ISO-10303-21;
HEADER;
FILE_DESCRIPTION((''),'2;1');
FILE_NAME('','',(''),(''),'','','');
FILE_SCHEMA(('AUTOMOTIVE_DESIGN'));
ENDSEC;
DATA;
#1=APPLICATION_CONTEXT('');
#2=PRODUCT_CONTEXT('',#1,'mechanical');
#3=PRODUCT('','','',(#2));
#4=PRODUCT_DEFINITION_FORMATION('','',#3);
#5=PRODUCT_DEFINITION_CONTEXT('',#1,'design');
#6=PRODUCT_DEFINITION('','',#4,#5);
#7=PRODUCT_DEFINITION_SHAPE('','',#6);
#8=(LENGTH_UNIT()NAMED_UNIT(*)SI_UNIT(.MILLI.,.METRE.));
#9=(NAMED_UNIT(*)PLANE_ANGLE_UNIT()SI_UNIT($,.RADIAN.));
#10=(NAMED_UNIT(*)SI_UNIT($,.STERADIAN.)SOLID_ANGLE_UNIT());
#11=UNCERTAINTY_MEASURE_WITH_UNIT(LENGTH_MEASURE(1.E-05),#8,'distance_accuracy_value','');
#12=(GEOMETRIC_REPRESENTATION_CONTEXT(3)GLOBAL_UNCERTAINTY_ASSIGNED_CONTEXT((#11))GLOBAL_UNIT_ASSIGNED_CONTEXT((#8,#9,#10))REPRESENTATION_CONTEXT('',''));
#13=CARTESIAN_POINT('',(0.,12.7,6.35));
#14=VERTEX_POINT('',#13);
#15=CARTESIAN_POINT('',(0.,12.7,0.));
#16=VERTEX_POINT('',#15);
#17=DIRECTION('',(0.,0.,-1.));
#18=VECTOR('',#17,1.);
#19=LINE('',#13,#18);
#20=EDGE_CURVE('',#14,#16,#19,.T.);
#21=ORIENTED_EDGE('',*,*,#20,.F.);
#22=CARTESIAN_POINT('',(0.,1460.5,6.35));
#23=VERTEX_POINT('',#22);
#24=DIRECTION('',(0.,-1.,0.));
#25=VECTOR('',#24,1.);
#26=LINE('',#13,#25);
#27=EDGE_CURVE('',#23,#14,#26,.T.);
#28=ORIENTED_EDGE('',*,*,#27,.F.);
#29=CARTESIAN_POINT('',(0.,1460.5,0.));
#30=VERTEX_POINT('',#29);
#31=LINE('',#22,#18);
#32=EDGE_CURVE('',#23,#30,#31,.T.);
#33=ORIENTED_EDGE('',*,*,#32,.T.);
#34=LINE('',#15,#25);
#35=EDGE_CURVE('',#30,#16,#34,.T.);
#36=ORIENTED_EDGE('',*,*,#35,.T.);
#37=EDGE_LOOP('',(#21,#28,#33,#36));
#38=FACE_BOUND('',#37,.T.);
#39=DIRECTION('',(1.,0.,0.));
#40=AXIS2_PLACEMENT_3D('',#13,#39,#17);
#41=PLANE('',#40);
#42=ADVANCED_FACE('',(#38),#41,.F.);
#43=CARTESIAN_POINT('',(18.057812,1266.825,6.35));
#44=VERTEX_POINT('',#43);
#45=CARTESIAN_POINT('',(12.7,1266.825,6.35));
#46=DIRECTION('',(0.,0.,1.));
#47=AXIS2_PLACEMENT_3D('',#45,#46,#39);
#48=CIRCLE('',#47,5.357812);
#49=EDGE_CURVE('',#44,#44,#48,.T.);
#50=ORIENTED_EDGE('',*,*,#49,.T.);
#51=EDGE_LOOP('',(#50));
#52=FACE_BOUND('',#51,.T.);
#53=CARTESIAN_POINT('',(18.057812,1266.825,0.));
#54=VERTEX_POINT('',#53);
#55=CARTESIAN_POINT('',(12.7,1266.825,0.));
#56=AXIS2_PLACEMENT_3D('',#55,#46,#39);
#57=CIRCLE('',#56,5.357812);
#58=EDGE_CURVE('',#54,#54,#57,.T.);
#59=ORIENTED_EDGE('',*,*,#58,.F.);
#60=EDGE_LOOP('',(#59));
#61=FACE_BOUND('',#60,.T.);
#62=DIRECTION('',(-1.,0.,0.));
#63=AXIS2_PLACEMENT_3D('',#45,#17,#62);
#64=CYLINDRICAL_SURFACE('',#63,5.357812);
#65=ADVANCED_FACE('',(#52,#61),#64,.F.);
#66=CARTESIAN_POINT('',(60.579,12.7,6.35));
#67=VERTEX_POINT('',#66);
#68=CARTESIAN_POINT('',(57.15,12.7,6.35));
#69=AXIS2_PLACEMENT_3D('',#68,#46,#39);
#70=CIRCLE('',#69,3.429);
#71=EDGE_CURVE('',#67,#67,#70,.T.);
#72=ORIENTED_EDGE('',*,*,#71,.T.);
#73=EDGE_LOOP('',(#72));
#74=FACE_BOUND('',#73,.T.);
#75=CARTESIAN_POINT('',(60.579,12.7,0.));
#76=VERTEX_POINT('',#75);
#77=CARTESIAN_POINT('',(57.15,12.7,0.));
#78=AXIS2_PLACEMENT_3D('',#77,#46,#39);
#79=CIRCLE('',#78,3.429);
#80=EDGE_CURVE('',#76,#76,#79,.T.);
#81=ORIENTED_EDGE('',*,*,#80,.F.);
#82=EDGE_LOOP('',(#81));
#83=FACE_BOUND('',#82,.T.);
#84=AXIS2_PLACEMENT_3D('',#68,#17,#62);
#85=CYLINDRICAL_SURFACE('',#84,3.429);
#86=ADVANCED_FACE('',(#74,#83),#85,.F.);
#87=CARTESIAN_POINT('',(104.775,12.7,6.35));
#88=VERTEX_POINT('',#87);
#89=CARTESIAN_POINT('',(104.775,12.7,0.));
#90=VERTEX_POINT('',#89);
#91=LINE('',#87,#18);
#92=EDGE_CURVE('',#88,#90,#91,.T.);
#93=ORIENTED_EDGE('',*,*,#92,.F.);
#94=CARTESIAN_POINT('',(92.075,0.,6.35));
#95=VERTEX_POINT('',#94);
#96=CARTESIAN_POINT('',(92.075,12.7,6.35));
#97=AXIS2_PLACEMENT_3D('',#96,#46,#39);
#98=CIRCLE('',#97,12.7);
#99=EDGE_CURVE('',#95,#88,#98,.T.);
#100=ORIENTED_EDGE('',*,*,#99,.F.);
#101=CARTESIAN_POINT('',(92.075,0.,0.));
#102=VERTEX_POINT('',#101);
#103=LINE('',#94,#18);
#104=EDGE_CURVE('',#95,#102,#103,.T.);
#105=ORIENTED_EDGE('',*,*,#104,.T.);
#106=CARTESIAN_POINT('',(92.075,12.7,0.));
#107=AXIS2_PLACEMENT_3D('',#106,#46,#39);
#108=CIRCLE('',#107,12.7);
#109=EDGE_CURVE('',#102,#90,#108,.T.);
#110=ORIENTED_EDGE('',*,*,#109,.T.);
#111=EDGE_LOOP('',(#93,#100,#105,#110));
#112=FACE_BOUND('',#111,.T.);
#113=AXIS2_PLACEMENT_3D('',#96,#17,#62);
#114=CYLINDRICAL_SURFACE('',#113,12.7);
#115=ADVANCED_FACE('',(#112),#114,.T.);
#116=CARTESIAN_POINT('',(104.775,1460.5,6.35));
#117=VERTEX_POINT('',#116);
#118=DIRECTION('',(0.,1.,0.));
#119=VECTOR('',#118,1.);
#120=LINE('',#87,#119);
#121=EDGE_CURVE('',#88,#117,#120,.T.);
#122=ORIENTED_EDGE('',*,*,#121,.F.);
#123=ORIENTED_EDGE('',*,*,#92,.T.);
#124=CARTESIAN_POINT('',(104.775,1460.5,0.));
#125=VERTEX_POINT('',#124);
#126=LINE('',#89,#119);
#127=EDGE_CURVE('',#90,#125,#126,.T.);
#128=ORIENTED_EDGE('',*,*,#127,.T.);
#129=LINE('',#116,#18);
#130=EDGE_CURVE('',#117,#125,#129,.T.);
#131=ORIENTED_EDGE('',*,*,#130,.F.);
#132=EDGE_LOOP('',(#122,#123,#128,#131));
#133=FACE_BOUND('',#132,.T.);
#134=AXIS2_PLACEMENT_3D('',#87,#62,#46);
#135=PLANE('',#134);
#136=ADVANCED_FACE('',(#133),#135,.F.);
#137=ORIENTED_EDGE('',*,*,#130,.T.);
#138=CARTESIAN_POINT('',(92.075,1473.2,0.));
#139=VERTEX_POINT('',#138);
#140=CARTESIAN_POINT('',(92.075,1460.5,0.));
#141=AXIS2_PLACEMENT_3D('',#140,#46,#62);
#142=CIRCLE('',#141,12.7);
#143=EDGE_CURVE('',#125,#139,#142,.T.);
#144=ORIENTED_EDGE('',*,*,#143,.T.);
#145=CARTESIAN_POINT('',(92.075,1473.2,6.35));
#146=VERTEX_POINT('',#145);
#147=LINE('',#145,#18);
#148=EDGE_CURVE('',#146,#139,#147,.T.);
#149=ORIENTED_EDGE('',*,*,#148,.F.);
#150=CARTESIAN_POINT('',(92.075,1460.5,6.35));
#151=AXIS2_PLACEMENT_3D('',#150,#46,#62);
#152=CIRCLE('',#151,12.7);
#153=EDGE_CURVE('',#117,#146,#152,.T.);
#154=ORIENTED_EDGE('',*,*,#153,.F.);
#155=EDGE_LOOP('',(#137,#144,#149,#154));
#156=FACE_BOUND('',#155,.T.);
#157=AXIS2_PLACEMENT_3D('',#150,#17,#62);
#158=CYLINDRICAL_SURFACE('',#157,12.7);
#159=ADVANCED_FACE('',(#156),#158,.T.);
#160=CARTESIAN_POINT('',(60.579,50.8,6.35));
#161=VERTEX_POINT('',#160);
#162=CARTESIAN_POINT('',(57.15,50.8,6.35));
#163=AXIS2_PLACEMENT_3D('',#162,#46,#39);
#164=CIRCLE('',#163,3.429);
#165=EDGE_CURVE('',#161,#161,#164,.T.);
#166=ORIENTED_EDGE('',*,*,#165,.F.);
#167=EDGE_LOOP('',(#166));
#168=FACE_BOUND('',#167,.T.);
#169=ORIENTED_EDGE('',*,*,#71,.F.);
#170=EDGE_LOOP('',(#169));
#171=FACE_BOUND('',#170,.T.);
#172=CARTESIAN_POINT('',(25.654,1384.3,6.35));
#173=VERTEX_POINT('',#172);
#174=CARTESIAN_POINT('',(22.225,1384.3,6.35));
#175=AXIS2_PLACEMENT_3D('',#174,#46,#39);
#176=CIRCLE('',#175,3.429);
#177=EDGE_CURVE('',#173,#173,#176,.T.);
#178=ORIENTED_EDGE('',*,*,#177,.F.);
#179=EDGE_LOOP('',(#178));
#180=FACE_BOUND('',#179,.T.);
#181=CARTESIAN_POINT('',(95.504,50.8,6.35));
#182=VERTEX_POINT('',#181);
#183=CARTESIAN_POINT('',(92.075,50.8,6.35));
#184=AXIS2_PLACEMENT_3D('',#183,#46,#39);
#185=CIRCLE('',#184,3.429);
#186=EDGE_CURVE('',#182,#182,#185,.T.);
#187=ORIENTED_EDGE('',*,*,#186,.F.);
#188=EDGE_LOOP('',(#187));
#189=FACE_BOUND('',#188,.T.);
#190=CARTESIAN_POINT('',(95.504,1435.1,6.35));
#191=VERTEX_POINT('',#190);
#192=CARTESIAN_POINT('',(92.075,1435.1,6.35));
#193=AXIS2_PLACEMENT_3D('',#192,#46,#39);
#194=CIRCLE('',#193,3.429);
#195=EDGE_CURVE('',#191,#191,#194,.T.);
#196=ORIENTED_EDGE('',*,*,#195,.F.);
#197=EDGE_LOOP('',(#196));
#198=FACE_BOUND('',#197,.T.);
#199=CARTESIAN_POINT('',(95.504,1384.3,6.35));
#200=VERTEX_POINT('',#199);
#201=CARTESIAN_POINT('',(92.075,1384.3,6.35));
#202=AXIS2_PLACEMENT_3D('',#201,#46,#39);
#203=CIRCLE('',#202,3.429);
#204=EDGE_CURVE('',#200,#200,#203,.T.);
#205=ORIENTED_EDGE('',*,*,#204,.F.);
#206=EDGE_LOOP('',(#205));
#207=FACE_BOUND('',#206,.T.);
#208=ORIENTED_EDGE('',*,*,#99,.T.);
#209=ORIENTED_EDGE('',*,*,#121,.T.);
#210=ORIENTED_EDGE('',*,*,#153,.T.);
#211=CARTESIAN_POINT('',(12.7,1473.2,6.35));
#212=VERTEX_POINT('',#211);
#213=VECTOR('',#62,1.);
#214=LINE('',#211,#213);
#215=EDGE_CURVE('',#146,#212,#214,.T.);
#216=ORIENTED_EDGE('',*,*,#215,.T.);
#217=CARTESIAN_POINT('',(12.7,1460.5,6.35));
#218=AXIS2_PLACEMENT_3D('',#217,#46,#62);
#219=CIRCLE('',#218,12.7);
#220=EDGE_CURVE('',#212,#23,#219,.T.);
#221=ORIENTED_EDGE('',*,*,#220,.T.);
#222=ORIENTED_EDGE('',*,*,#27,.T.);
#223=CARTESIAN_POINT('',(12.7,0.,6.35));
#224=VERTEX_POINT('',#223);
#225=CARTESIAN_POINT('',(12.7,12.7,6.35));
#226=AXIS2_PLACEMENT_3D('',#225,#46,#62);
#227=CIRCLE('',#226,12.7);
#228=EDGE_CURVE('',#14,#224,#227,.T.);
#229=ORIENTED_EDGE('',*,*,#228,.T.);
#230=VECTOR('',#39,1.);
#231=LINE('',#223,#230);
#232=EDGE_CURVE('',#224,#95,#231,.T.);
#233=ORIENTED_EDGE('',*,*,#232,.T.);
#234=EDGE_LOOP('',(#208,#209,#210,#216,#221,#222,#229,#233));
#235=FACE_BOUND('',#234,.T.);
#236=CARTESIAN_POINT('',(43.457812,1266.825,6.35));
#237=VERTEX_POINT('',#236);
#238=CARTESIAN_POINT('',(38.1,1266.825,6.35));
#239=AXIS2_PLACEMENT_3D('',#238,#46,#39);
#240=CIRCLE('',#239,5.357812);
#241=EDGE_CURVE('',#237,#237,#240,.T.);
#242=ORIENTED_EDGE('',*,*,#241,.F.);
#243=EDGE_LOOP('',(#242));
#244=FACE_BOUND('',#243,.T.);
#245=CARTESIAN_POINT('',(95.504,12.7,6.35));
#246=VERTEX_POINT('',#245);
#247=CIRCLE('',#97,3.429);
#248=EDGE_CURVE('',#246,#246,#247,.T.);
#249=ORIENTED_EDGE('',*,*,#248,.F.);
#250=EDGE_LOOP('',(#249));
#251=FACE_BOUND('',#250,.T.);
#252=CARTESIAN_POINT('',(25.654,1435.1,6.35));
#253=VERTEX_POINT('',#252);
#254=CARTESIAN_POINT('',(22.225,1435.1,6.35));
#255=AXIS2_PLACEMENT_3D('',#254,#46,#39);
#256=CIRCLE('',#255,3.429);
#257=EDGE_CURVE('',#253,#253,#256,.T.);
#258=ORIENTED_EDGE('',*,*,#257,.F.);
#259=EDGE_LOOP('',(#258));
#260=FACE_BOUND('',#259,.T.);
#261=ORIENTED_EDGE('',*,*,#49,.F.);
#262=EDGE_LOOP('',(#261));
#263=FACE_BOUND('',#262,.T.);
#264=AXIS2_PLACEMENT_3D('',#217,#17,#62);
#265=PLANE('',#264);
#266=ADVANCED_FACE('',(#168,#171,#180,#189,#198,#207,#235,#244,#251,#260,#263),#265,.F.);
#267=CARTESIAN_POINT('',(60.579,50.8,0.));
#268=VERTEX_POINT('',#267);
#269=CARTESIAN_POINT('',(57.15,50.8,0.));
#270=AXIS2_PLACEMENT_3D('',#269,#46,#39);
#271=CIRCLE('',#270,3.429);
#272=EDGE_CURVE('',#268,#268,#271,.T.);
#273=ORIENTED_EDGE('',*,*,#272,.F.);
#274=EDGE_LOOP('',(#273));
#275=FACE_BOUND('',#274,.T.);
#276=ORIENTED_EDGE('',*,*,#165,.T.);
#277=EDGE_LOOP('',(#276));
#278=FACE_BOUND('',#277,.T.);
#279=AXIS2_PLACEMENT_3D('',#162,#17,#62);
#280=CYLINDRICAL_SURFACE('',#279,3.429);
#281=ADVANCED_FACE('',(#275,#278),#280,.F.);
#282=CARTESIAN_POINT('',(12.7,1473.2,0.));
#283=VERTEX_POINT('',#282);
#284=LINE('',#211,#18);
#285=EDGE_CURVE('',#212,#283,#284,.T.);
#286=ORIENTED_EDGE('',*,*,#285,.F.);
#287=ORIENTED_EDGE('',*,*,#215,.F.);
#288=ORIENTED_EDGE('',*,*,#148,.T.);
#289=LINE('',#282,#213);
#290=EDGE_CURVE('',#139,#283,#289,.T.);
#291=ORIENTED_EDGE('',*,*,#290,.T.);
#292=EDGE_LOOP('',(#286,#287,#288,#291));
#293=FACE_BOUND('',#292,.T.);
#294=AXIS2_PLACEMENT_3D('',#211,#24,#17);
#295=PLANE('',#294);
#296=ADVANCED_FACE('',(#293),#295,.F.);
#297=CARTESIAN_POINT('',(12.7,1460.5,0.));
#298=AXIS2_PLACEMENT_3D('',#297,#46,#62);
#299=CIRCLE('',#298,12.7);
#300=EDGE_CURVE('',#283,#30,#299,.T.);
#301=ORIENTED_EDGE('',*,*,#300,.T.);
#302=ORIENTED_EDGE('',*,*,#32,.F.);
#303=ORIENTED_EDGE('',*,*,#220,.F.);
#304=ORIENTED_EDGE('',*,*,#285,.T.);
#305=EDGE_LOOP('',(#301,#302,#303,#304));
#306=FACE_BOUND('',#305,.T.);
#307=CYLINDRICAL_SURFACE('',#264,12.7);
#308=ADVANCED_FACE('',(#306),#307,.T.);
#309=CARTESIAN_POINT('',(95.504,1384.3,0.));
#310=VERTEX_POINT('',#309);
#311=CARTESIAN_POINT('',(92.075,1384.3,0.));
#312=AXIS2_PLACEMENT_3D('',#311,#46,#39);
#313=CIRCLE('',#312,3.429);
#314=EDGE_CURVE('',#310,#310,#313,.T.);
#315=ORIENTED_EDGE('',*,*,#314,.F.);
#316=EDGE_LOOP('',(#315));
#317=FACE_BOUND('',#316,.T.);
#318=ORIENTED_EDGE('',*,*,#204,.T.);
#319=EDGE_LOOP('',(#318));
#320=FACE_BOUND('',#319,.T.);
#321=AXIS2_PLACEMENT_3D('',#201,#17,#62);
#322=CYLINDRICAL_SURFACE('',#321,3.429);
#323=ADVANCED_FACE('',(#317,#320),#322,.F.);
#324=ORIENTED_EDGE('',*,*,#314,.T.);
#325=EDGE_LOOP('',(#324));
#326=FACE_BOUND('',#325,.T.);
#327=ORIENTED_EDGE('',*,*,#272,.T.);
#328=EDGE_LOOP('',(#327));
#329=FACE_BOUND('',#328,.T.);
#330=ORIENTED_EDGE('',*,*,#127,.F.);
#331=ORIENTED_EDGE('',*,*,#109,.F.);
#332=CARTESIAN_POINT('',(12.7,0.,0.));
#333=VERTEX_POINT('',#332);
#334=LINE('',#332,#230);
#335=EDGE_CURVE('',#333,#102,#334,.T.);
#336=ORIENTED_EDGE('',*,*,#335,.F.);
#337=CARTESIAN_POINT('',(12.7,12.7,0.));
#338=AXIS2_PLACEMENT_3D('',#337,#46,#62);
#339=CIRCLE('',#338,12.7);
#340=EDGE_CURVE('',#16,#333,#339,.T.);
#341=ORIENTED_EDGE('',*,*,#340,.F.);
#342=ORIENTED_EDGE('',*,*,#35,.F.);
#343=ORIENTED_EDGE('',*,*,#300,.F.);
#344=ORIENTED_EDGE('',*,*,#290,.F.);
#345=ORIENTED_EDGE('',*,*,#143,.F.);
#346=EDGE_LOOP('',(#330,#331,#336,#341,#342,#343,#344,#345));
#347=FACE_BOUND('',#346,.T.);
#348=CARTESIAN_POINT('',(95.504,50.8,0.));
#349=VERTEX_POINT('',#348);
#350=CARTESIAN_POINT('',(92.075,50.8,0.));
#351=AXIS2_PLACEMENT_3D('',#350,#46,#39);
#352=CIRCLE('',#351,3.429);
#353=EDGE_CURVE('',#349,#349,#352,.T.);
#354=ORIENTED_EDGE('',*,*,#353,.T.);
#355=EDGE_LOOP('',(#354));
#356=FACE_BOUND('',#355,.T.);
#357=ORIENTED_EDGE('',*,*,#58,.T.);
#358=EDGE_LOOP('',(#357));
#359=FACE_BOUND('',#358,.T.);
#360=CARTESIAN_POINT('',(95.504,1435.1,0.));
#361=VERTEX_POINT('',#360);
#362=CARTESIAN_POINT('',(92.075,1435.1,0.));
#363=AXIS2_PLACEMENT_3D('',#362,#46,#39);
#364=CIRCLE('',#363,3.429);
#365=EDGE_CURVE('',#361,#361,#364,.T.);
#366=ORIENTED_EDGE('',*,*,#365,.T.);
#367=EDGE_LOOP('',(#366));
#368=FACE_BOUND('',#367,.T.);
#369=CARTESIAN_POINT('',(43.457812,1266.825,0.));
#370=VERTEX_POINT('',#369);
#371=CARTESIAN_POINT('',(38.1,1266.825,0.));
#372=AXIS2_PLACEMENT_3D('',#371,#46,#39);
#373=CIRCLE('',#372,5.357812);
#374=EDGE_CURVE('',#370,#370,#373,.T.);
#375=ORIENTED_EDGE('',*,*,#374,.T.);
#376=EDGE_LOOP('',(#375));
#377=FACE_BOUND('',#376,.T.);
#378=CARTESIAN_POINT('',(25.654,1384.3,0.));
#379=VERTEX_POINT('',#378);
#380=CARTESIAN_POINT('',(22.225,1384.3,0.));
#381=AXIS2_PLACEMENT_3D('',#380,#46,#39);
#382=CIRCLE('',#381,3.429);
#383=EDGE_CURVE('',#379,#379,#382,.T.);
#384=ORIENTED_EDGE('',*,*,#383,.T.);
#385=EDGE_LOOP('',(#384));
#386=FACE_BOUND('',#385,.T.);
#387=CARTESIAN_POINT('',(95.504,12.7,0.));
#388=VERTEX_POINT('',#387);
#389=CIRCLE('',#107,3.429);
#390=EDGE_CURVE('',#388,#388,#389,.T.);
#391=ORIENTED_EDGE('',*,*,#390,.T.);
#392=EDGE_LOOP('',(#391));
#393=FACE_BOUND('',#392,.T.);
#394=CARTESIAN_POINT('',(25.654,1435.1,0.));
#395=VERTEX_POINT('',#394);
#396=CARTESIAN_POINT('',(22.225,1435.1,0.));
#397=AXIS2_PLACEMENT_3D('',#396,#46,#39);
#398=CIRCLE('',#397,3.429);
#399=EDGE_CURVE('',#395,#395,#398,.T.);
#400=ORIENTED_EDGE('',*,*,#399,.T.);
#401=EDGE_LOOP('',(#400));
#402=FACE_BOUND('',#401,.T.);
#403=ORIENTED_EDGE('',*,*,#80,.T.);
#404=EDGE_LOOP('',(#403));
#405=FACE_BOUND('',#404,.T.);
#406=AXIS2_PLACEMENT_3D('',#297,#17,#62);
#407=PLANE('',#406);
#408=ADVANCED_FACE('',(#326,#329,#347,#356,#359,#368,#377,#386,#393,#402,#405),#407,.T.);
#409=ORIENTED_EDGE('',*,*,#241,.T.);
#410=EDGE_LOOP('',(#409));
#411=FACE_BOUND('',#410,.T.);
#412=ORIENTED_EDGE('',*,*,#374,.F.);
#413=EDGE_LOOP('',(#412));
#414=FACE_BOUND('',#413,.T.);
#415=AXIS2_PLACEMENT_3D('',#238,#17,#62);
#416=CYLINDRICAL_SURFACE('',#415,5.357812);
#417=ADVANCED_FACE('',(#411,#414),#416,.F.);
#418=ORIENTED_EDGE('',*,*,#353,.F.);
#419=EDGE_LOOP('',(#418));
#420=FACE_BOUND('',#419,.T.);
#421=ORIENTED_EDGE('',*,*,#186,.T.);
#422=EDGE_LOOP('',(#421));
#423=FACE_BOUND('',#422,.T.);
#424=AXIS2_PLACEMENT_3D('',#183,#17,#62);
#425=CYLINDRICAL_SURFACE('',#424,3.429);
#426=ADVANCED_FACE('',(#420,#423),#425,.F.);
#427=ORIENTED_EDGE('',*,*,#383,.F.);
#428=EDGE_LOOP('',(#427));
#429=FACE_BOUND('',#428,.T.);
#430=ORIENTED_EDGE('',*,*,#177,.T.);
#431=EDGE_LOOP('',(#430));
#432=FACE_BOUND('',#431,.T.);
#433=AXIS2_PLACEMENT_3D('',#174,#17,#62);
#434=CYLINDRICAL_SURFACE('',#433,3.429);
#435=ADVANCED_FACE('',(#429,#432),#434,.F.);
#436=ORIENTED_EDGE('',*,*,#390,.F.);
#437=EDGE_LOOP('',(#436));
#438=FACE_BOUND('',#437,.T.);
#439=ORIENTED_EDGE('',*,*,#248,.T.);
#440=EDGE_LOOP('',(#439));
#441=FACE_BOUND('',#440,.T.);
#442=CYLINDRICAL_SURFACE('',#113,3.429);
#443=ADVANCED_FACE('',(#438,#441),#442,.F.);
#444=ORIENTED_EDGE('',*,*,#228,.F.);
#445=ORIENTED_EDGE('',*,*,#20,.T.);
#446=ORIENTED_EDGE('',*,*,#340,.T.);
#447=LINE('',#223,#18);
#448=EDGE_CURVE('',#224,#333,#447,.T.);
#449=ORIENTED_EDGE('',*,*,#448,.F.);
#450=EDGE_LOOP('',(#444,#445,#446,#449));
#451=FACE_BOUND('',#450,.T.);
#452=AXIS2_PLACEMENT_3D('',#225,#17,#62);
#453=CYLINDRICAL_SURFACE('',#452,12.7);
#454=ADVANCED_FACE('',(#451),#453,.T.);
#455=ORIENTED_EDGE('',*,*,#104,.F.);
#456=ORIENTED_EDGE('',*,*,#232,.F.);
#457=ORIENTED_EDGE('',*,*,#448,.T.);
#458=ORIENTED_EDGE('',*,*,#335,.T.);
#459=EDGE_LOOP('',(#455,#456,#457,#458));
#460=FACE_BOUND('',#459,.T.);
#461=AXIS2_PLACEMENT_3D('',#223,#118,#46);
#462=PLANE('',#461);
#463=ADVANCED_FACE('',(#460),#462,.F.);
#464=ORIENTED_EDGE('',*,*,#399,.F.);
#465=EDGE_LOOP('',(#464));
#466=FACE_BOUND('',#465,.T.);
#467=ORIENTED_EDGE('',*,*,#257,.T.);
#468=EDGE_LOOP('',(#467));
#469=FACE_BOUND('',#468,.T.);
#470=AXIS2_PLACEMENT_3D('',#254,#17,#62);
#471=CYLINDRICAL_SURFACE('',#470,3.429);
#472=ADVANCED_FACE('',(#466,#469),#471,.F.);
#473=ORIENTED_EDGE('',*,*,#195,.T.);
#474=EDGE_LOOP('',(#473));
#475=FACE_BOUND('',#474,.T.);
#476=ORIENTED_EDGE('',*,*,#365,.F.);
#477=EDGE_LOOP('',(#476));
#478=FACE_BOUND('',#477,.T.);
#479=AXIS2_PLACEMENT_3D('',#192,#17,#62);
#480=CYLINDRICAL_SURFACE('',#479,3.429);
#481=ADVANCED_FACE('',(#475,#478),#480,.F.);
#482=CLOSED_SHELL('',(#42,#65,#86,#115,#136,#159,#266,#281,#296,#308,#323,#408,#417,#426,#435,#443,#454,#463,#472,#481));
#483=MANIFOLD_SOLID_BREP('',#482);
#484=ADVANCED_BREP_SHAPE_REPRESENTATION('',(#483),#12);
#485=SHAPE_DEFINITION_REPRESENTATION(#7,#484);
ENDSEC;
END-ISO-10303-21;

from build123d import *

# Parameters (mm, degrees)
SKETCH1_R           = 3.429
SKETCH1_R_2         = 5.3578125
BOSS_EXTRUDE1_DEPTH = 6.35


with BuildPart() as part:
    # Sketch1 → Boss-Extrude1 (new body)
    with BuildSketch(Plane.XY):
        with BuildLine():
            Line((12.7, 0), (92.075, 0))
            ThreePointArc((92.075, 0), (101.055256121, 3.719743879), (104.775, 12.7))
            Line((104.775, 12.7), (104.775, 1460.5))
            ThreePointArc((104.775, 1460.5), (101.055256121, 1469.480256121), (92.075, 1473.2))
            Line((92.075, 1473.2), (12.7, 1473.2))
            ThreePointArc((12.7, 1473.2), (3.719743879, 1469.480256121), (0, 1460.5))
            Line((0, 1460.5), (0, 12.7))
            ThreePointArc((0, 12.7), (3.719743879, 3.719743879), (12.7, 0))
        make_face()
        with Locations((92.075, 1435.1)):
            Circle(SKETCH1_R, mode=Mode.SUBTRACT)
        with Locations((92.075, 1384.3)):
            Circle(SKETCH1_R, mode=Mode.SUBTRACT)
        with Locations((22.225, 1384.3)):
            Circle(SKETCH1_R, mode=Mode.SUBTRACT)
        with Locations((22.225, 1435.1)):
            Circle(SKETCH1_R, mode=Mode.SUBTRACT)
        with Locations((92.075, 50.8)):
            Circle(SKETCH1_R, mode=Mode.SUBTRACT)
        with Locations((57.15, 50.8)):
            Circle(SKETCH1_R, mode=Mode.SUBTRACT)
        with Locations((57.15, 12.7)):
            Circle(SKETCH1_R, mode=Mode.SUBTRACT)
        with Locations((92.075, 12.7)):
            Circle(SKETCH1_R, mode=Mode.SUBTRACT)
        with Locations((38.1, 1266.825)):
            Circle(SKETCH1_R_2, mode=Mode.SUBTRACT)
        with Locations((12.7, 1266.825)):
            Circle(SKETCH1_R_2, mode=Mode.SUBTRACT)
    extrude(amount=BOSS_EXTRUDE1_DEPTH)


solid = part.part
